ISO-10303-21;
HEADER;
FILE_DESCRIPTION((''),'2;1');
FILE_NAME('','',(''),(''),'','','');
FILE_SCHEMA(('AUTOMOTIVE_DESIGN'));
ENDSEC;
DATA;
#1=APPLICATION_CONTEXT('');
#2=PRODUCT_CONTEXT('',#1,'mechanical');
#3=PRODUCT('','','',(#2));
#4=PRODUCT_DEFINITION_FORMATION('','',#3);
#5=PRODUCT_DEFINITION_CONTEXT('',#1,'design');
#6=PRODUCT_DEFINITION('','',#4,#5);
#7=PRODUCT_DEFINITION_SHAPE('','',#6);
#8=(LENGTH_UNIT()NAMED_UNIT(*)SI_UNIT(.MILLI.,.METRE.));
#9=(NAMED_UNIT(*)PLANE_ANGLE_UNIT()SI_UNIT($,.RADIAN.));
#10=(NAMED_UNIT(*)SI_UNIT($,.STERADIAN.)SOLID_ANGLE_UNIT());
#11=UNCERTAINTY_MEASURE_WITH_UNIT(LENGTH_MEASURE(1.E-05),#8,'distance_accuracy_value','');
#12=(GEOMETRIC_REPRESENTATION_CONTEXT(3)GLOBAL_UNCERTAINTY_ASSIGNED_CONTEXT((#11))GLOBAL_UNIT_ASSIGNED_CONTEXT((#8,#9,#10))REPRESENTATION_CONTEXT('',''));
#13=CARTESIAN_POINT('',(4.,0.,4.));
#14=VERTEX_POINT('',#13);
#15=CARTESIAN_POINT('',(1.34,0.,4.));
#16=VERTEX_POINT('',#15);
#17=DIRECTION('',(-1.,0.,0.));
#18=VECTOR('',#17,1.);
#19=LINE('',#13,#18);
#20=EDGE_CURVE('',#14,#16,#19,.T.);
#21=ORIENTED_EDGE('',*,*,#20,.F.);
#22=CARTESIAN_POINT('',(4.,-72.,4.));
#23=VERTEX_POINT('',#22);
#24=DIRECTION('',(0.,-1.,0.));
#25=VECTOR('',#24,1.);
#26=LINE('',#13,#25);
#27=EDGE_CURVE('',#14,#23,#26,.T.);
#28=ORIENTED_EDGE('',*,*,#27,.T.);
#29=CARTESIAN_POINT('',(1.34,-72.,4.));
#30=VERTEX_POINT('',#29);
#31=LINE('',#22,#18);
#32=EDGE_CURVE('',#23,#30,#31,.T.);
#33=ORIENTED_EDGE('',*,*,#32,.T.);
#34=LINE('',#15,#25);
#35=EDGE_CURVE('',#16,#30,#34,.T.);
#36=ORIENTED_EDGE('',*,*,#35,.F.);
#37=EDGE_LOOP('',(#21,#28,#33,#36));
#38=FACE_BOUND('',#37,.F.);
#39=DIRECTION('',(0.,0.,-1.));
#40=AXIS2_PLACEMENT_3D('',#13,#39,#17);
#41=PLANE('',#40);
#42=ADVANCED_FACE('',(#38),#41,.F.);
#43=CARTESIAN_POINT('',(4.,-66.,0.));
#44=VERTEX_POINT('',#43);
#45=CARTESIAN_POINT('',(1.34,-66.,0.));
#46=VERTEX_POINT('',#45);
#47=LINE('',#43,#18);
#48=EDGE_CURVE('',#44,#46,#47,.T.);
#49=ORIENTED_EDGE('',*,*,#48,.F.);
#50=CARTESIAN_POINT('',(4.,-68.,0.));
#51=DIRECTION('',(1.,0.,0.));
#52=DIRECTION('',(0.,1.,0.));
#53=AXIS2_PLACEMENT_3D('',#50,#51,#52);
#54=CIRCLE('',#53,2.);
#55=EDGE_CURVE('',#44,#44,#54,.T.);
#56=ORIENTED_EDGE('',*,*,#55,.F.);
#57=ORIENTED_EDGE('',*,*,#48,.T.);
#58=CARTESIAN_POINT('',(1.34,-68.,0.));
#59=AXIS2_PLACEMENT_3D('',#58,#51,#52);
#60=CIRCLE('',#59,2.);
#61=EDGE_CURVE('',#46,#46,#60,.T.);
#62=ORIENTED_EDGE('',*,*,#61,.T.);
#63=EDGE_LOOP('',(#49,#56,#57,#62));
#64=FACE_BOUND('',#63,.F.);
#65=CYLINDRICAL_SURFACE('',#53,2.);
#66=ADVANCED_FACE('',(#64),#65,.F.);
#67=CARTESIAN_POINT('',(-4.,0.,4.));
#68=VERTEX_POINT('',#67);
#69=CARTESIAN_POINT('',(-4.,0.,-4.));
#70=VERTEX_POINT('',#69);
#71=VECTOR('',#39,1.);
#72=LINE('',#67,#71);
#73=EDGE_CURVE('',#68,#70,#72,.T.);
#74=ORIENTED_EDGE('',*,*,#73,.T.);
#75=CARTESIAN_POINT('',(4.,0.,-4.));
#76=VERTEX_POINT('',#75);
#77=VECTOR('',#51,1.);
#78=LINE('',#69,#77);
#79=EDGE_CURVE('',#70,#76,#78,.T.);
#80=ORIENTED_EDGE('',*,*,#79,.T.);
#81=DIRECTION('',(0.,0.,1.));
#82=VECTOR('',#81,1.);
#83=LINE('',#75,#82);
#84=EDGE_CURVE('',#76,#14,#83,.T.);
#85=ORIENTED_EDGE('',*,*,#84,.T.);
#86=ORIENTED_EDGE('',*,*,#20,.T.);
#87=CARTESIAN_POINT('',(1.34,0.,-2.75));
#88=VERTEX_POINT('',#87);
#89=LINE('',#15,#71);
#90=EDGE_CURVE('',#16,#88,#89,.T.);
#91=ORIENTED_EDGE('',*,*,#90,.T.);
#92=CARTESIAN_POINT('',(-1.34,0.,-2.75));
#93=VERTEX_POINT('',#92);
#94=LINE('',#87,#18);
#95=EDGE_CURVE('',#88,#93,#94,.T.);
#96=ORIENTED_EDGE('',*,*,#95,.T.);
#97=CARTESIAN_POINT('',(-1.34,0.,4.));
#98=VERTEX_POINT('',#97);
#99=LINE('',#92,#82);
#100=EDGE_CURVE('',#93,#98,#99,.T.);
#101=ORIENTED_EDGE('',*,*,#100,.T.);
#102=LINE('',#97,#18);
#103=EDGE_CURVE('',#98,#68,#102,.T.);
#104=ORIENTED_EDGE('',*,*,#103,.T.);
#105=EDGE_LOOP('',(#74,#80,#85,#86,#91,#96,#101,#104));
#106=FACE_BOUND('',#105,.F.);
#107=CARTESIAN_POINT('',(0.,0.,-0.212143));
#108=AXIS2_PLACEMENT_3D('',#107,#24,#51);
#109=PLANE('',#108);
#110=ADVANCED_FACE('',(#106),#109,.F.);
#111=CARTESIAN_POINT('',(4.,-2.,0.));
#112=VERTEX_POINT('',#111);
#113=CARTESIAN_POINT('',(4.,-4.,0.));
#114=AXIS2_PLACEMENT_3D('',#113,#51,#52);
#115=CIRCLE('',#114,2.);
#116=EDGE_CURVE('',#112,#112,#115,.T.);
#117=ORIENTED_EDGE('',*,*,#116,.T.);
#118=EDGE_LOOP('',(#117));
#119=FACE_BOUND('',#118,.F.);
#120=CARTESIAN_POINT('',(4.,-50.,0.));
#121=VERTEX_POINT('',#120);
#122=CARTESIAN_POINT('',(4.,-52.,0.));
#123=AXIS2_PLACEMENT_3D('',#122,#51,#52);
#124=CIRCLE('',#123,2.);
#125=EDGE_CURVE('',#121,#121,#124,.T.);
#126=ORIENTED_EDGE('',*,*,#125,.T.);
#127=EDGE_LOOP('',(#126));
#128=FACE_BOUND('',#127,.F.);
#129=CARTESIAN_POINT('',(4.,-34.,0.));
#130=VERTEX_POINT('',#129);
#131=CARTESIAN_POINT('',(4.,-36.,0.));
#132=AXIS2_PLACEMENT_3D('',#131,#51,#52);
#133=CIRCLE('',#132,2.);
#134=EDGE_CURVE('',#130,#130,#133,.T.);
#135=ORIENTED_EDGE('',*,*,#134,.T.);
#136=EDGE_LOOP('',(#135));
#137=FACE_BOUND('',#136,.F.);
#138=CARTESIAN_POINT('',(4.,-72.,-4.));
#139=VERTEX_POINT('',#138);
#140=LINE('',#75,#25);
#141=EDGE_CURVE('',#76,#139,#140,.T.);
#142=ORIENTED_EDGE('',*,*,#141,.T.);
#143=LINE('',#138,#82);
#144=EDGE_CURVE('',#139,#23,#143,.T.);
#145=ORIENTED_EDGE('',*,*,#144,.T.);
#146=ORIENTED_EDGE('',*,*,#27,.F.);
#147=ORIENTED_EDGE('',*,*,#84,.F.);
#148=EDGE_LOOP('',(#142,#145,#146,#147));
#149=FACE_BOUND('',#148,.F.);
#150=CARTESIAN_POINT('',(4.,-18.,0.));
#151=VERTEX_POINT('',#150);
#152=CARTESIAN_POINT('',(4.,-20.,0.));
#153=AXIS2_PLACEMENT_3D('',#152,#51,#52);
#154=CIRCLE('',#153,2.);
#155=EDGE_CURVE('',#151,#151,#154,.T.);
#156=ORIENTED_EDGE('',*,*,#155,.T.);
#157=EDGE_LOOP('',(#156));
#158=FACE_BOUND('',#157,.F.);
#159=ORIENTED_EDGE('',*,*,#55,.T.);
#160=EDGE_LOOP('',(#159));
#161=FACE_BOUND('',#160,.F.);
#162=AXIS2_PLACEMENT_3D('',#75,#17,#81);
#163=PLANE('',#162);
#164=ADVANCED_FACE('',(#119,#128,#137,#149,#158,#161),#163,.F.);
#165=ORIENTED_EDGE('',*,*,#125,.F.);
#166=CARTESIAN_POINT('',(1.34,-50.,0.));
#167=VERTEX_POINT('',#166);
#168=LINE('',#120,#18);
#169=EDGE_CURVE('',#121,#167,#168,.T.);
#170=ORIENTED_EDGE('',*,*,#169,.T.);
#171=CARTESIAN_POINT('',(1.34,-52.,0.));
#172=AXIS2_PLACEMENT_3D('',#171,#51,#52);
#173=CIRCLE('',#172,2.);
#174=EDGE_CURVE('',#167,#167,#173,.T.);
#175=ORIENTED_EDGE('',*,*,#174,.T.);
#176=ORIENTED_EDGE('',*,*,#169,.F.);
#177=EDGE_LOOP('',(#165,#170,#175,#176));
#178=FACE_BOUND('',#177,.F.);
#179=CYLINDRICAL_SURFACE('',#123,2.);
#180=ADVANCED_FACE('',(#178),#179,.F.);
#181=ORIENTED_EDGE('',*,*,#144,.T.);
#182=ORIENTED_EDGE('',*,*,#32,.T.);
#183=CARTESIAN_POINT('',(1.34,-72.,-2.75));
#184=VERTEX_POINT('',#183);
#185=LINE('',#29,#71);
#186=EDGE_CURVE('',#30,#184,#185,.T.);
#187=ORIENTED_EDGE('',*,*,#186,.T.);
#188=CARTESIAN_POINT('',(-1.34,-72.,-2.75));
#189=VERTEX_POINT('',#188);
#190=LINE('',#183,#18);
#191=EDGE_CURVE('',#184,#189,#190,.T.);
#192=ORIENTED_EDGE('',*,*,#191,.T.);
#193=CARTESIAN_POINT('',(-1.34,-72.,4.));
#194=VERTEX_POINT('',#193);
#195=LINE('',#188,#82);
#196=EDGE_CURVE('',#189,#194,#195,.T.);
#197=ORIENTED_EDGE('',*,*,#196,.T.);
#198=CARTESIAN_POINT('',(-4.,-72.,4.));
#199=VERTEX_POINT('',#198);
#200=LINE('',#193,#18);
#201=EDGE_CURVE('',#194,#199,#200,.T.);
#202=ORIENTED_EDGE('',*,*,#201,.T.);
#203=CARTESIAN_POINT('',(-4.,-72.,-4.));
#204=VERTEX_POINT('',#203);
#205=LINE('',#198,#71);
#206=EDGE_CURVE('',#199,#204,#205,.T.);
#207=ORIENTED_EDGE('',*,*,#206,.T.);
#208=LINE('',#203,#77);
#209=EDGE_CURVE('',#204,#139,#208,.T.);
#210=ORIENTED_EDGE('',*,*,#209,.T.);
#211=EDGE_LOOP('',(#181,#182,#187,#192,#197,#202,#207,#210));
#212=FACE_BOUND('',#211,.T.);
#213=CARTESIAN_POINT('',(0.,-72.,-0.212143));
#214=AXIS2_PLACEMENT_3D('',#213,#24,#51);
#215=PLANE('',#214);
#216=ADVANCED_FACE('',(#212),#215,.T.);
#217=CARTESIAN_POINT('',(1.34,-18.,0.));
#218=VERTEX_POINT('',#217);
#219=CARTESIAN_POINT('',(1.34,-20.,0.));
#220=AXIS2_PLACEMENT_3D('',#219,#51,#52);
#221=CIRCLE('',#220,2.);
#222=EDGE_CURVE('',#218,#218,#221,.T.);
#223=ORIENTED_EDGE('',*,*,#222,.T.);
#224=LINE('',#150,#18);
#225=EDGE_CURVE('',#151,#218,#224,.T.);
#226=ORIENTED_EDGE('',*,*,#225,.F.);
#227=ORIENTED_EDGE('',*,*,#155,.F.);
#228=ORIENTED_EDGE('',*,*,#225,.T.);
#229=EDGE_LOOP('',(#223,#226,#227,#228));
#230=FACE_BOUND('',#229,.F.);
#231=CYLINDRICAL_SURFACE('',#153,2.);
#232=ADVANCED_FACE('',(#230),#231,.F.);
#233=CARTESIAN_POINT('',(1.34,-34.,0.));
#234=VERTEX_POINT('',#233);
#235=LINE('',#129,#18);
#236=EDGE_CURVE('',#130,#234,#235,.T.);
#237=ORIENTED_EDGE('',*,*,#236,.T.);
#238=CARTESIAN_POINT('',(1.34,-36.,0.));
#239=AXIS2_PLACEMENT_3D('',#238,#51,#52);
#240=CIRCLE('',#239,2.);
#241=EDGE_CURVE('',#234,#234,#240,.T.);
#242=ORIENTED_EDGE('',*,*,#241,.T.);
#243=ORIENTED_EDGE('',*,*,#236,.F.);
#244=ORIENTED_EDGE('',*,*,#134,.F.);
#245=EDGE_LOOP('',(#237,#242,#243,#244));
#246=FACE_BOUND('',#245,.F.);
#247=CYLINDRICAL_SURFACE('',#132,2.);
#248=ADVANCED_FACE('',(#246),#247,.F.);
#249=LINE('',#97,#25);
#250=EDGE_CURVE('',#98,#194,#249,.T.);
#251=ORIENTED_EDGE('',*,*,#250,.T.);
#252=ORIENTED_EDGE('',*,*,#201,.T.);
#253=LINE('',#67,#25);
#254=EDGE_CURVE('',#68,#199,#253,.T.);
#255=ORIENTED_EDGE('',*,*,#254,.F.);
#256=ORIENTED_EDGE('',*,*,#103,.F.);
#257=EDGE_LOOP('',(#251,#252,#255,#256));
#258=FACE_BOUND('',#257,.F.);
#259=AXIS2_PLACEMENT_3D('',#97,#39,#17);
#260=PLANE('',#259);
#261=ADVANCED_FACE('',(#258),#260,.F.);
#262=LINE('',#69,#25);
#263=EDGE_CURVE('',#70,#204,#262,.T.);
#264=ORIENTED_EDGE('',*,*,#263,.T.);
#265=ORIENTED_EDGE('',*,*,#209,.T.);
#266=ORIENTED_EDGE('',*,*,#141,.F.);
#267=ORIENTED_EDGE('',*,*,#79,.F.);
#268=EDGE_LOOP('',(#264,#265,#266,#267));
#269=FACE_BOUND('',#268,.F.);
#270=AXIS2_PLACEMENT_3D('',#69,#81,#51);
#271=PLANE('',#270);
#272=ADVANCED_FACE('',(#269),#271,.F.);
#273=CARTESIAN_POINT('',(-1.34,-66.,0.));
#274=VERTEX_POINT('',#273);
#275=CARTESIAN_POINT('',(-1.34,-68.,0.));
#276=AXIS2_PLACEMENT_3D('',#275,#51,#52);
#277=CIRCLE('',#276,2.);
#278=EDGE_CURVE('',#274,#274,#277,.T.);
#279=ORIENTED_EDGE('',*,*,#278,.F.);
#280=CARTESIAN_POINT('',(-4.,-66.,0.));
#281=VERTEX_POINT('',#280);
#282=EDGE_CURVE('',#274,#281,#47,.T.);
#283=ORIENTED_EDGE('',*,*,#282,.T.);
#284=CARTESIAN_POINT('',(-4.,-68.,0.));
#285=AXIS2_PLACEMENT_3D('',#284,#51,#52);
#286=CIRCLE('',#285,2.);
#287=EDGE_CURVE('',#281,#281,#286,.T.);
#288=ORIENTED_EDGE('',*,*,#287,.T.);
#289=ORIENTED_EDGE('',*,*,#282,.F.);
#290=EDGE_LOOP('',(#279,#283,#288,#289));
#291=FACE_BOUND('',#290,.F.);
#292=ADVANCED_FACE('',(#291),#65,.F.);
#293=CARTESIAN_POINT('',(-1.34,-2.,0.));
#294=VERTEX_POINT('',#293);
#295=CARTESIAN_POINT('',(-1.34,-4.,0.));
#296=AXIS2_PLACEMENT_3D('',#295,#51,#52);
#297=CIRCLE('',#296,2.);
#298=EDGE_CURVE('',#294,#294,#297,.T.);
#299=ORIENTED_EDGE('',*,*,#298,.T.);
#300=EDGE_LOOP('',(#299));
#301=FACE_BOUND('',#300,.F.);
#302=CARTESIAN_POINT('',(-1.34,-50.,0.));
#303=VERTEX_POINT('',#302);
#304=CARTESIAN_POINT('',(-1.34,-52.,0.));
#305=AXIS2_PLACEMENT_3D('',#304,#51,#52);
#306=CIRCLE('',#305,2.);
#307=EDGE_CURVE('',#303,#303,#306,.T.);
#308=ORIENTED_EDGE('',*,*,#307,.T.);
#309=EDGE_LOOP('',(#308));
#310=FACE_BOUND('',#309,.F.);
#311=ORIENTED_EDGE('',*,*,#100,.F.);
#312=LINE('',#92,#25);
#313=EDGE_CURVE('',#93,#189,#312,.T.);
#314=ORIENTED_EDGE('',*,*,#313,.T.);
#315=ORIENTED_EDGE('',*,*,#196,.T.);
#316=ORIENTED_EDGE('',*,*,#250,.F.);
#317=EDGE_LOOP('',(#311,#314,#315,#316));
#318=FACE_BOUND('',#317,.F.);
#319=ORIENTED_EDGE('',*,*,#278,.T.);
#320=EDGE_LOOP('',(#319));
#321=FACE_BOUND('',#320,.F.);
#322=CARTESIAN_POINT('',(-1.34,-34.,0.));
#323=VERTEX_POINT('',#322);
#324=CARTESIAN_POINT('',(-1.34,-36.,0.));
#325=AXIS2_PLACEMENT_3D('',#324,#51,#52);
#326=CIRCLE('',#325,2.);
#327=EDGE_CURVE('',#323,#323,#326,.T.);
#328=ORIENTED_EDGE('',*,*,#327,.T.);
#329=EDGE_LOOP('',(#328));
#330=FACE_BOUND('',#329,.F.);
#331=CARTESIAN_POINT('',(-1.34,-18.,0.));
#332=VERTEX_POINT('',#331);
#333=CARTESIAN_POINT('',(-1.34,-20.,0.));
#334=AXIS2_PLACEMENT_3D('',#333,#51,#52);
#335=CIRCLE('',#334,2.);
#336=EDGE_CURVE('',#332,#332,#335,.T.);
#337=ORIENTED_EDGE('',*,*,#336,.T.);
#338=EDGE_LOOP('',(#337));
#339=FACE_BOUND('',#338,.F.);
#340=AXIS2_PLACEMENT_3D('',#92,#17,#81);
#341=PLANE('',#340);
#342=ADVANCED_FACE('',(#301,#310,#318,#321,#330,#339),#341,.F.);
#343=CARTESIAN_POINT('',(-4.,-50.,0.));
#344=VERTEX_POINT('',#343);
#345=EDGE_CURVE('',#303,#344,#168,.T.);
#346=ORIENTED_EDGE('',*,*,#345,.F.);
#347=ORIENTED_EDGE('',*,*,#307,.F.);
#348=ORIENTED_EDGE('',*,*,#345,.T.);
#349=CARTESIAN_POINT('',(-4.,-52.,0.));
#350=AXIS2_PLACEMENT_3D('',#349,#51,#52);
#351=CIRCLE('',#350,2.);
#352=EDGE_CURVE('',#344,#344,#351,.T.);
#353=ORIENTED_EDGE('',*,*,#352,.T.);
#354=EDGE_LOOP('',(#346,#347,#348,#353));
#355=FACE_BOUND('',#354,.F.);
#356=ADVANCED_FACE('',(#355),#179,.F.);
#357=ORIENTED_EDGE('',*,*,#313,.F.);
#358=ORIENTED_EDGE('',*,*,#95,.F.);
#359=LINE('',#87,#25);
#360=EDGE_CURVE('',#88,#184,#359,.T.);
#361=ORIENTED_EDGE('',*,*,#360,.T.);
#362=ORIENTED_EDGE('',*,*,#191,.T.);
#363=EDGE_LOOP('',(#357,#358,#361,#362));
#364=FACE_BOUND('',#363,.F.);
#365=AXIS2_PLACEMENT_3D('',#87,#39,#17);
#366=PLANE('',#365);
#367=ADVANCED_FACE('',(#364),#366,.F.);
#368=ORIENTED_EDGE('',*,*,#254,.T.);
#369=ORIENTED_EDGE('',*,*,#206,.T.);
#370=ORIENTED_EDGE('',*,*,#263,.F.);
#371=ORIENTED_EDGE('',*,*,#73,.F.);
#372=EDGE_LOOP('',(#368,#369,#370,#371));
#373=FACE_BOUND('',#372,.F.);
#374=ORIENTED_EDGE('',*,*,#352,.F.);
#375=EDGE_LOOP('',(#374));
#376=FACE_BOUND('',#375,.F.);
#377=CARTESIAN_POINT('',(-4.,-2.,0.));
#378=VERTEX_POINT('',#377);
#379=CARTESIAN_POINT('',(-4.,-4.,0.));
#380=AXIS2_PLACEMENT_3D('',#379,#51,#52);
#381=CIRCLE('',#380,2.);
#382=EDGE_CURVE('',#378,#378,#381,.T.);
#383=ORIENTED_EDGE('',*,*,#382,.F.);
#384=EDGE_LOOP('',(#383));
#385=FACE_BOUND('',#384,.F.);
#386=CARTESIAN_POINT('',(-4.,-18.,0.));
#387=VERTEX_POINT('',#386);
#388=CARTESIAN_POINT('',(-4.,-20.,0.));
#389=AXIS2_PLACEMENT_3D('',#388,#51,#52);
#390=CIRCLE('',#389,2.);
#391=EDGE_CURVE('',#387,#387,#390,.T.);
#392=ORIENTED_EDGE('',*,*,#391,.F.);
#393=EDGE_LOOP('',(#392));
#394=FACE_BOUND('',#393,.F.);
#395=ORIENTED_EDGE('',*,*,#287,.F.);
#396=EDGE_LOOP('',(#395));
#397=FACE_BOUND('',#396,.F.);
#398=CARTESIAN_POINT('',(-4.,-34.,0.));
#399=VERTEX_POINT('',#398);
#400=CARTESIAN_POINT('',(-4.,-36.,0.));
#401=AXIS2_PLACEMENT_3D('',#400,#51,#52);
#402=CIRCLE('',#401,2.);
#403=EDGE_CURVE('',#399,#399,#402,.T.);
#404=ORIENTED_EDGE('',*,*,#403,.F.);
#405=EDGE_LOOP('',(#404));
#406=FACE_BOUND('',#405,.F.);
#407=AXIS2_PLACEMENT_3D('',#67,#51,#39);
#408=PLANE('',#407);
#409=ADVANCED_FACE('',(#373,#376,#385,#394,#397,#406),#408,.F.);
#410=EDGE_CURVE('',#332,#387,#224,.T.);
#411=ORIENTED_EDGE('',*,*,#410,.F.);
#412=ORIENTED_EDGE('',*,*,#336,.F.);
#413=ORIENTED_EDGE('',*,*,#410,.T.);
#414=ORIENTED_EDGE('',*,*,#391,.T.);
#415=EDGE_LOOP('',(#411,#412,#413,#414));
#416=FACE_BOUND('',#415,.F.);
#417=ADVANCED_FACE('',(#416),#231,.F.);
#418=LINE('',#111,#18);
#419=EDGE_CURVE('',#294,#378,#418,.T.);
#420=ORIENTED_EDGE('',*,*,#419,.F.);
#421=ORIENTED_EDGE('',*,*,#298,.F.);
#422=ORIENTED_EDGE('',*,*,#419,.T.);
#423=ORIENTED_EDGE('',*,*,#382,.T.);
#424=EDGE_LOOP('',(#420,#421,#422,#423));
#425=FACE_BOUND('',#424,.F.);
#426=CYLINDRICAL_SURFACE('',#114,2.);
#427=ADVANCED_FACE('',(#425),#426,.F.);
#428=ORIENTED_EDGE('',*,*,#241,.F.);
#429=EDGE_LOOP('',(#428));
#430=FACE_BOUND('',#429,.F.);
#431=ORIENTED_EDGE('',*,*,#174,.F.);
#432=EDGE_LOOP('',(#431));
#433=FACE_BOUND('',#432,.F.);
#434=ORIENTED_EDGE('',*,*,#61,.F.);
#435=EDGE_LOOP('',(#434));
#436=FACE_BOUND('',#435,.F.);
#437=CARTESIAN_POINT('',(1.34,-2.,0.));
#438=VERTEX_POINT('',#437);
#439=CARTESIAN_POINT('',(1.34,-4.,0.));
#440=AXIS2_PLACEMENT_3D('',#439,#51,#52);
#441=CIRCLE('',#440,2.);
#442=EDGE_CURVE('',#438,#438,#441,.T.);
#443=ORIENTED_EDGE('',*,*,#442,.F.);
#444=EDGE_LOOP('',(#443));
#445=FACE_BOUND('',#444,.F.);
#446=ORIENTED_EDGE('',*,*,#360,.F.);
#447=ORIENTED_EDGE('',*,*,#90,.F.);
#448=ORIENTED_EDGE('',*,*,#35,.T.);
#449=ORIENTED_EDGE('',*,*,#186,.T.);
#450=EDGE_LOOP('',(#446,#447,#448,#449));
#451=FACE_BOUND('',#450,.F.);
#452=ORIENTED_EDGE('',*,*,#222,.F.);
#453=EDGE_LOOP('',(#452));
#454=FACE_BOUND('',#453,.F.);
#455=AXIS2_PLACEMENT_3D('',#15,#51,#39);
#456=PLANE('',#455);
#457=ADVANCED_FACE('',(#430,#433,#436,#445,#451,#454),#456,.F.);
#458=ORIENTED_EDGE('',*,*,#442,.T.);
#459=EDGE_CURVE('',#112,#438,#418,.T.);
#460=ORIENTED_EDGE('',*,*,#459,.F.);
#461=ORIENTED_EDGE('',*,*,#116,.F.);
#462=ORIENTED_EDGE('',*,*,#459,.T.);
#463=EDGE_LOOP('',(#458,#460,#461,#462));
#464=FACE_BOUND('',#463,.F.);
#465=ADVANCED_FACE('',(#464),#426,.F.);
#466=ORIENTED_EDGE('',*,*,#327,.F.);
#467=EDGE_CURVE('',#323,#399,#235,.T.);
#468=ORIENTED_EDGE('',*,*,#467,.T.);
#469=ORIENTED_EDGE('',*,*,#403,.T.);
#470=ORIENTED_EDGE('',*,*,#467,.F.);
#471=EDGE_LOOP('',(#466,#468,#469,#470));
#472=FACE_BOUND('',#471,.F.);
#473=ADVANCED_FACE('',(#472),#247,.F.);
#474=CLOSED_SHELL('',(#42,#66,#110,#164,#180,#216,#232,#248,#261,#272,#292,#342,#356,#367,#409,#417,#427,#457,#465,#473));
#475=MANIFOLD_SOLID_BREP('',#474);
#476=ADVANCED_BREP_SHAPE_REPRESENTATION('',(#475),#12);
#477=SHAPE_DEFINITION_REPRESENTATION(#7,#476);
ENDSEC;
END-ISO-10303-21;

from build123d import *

# Parameters (mm, degrees)
F1_DEPTH = 72
F2_R     = 2
F3_DEPTH = 8.1


with BuildPart() as f1:
    # F0 (on Front) → F1 (new body)
    with BuildSketch(Plane.XZ):
        Polygon((-1.34, 4), (-4, 4), (-4, -4), (4, -4), (4, 4), (1.34, 4), (1.34, -2.75), (-1.34, -2.75), align=None)
    extrude(amount=F1_DEPTH)

    # F2 (on face) → F3 (cut)
    with BuildSketch(Plane.YZ.offset(4)):
        with Locations((-68, 0)):
            Circle(F2_R)
        with Locations((-52, 0)):
            Circle(F2_R)
        with Locations((-36, 0)):
            Circle(F2_R)
        with Locations((-20, 0)):
            Circle(F2_R)
        with Locations((-4, 0)):
            Circle(F2_R)
    extrude(amount=-F3_DEPTH, mode=Mode.SUBTRACT)


solid = f1.part
